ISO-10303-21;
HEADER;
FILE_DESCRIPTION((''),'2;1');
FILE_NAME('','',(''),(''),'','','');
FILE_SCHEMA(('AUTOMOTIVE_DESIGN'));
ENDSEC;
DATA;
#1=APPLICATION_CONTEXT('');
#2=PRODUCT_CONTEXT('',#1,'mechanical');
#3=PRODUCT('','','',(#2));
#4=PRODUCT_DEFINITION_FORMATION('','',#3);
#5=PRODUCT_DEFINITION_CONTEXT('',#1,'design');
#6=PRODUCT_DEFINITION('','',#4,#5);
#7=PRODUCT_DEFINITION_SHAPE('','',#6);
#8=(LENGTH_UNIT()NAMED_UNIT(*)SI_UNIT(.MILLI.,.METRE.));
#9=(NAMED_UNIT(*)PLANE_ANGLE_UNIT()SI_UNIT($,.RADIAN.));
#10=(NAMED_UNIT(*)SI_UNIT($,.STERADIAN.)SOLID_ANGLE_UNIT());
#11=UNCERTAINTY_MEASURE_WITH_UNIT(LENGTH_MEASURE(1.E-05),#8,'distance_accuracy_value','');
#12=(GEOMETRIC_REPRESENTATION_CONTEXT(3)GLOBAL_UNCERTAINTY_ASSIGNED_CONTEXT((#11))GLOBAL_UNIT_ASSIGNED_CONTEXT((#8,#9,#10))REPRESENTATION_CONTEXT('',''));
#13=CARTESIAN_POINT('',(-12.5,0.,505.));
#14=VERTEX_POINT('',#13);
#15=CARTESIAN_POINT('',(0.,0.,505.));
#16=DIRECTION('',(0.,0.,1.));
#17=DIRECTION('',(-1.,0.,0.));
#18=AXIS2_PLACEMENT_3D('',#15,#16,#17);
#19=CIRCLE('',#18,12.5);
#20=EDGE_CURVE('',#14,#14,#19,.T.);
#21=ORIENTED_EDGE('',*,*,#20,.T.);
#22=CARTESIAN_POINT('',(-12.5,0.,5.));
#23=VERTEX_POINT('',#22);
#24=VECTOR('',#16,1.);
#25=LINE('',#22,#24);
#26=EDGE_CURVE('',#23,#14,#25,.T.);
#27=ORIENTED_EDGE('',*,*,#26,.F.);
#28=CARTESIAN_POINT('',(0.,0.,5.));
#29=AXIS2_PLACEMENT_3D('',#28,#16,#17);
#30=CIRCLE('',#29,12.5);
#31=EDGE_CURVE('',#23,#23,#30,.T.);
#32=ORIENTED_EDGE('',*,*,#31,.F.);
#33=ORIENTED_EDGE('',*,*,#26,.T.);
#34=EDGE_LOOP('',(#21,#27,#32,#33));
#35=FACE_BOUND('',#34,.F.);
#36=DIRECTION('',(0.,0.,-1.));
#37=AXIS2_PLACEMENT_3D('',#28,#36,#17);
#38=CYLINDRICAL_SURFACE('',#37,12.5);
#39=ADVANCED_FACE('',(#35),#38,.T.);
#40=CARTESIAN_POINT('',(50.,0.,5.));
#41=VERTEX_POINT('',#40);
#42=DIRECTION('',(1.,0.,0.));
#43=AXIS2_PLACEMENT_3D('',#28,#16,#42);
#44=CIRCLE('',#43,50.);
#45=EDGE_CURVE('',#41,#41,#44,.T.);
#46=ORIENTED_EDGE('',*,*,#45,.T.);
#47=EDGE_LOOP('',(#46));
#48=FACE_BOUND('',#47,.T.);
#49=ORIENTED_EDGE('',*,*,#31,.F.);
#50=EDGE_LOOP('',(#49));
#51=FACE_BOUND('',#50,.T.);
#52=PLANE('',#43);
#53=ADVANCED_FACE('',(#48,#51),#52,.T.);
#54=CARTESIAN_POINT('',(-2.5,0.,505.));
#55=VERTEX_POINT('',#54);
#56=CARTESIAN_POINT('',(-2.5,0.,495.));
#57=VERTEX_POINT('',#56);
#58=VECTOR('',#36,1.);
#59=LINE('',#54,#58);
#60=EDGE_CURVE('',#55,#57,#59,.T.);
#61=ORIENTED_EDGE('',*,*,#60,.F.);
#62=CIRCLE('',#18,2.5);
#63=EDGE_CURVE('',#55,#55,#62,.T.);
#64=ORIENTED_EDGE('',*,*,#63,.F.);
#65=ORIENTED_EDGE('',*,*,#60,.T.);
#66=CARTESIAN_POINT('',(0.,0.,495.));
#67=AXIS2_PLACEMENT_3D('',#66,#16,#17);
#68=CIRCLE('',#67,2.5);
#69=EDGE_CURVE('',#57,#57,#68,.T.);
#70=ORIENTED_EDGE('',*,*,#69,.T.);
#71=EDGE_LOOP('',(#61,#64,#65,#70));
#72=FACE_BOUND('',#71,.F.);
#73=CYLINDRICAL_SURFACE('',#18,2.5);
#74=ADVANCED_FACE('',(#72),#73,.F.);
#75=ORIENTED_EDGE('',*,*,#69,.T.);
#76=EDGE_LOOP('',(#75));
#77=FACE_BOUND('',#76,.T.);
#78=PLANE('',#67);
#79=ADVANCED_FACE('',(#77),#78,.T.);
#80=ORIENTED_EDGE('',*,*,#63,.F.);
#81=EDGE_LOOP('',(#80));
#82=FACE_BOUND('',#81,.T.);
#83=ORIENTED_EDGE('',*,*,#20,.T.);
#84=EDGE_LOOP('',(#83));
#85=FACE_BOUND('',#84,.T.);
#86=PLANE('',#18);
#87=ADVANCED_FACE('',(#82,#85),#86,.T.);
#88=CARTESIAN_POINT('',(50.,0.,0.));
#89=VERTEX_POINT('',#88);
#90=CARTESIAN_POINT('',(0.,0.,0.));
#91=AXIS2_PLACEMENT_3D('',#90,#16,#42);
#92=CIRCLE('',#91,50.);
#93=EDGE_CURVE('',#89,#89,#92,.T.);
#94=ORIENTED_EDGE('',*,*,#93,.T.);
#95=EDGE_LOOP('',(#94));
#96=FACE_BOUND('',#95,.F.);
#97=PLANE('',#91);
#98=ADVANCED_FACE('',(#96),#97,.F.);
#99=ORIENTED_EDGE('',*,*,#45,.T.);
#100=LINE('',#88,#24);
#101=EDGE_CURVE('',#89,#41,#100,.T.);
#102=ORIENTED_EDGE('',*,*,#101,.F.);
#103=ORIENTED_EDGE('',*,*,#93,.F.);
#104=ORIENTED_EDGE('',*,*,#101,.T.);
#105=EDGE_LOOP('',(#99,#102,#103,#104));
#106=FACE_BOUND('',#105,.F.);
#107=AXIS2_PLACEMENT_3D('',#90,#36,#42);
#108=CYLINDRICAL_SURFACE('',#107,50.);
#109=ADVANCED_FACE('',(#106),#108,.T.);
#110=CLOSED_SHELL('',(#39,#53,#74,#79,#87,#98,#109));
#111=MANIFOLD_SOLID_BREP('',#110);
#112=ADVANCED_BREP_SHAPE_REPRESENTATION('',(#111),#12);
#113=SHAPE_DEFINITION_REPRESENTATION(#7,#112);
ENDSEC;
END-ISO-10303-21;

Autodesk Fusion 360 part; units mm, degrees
sketch "Sketch1" plane through (0, 0, 0) normal (0, 0, 1) x (1, 0, 0)
  circle A0 centre (0, 0) radius 50
  dimension "d1" = 100
extrude "Extrude1" add sketch "Sketch1" along normal blind 5
sketch "Sketch2" plane through (0, 0, 5) normal (0, 0, 1) x (-1, 0, 0)
  circle A0 centre (0, 0) radius 50
  circle A1 centre (0, 0) radius 12.5
  dimension "d4" = 25
extrude "Extrude2" add sketch "Sketch2" along normal blind 500 contours A1
sketch "Sketch3" plane through (0, 0, 505) normal (0, 0, 1) x (-1, 0, 0)
  circle A0 centre (0, 0) radius 12.5
  circle A1 centre (0, 0) radius 2.5
  dimension "d7" = 5
extrude "Extrude3" cut sketch "Sketch3" against normal blind 10 contours A1
